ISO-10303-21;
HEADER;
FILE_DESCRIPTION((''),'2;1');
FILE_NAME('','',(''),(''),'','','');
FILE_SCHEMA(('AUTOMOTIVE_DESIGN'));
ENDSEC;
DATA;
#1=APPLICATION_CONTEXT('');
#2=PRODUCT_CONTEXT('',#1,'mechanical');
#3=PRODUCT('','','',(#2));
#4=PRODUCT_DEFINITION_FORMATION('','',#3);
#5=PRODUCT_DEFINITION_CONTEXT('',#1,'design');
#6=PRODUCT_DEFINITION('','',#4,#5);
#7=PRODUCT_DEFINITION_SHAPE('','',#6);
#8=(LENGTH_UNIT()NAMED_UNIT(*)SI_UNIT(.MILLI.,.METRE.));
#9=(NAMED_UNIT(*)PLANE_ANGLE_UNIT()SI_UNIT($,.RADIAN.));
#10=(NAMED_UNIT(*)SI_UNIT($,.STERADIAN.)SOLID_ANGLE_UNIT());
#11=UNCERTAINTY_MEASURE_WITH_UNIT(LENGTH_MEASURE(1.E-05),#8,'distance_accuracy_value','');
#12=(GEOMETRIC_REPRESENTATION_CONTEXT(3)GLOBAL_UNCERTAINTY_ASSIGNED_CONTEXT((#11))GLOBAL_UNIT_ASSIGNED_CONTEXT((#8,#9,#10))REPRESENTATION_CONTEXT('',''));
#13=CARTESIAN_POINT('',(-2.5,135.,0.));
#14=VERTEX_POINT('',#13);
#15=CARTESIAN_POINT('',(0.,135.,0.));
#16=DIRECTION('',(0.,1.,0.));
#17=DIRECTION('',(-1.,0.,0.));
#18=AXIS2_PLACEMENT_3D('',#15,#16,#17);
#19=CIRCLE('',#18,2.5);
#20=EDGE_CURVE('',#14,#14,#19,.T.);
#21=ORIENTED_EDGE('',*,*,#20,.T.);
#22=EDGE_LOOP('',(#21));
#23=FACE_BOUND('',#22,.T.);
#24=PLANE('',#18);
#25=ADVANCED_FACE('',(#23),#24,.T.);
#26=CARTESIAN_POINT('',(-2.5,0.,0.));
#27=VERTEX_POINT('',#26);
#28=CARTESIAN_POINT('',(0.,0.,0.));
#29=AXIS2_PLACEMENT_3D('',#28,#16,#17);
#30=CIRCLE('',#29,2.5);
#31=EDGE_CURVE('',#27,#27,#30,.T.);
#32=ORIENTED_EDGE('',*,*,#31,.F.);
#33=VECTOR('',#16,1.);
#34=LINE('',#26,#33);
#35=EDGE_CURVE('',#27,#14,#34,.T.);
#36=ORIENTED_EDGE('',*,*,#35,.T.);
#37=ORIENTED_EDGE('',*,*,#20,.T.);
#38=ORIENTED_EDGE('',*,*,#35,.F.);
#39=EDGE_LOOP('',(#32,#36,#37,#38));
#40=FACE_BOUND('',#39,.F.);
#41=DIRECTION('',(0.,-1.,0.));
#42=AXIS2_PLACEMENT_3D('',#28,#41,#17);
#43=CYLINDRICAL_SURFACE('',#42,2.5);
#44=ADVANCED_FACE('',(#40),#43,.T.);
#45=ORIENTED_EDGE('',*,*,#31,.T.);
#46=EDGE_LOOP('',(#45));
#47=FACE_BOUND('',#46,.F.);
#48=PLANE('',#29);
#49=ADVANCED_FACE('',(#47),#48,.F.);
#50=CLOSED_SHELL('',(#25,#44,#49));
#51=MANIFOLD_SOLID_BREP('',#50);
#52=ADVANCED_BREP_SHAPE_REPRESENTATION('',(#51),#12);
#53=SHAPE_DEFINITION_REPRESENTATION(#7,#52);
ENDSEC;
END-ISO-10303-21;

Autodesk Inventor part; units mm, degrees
ref_plane "YZ Plane" through (0, 0, 0) normal (1, 0, 0) x (0, 1, 0)
ref_plane "XZ Plane" through (0, 0, 0) normal (0, 1, 0) x (-1, 0, 0)
ref_plane "XY Plane" through (0, 0, 0) normal (0, 0, 1) x (1, 0, 0)
sketch "Skizze1" plane through (0, 0, 0) normal (0, 1, 0) x (-1, 0, 0)
  circle A0 centre (0, 0) radius 2.5
  dimension "d0" = 5
extrude "Extrusion1" add sketch "Skizze1" along normal blind 135
properties part number "Achse"
